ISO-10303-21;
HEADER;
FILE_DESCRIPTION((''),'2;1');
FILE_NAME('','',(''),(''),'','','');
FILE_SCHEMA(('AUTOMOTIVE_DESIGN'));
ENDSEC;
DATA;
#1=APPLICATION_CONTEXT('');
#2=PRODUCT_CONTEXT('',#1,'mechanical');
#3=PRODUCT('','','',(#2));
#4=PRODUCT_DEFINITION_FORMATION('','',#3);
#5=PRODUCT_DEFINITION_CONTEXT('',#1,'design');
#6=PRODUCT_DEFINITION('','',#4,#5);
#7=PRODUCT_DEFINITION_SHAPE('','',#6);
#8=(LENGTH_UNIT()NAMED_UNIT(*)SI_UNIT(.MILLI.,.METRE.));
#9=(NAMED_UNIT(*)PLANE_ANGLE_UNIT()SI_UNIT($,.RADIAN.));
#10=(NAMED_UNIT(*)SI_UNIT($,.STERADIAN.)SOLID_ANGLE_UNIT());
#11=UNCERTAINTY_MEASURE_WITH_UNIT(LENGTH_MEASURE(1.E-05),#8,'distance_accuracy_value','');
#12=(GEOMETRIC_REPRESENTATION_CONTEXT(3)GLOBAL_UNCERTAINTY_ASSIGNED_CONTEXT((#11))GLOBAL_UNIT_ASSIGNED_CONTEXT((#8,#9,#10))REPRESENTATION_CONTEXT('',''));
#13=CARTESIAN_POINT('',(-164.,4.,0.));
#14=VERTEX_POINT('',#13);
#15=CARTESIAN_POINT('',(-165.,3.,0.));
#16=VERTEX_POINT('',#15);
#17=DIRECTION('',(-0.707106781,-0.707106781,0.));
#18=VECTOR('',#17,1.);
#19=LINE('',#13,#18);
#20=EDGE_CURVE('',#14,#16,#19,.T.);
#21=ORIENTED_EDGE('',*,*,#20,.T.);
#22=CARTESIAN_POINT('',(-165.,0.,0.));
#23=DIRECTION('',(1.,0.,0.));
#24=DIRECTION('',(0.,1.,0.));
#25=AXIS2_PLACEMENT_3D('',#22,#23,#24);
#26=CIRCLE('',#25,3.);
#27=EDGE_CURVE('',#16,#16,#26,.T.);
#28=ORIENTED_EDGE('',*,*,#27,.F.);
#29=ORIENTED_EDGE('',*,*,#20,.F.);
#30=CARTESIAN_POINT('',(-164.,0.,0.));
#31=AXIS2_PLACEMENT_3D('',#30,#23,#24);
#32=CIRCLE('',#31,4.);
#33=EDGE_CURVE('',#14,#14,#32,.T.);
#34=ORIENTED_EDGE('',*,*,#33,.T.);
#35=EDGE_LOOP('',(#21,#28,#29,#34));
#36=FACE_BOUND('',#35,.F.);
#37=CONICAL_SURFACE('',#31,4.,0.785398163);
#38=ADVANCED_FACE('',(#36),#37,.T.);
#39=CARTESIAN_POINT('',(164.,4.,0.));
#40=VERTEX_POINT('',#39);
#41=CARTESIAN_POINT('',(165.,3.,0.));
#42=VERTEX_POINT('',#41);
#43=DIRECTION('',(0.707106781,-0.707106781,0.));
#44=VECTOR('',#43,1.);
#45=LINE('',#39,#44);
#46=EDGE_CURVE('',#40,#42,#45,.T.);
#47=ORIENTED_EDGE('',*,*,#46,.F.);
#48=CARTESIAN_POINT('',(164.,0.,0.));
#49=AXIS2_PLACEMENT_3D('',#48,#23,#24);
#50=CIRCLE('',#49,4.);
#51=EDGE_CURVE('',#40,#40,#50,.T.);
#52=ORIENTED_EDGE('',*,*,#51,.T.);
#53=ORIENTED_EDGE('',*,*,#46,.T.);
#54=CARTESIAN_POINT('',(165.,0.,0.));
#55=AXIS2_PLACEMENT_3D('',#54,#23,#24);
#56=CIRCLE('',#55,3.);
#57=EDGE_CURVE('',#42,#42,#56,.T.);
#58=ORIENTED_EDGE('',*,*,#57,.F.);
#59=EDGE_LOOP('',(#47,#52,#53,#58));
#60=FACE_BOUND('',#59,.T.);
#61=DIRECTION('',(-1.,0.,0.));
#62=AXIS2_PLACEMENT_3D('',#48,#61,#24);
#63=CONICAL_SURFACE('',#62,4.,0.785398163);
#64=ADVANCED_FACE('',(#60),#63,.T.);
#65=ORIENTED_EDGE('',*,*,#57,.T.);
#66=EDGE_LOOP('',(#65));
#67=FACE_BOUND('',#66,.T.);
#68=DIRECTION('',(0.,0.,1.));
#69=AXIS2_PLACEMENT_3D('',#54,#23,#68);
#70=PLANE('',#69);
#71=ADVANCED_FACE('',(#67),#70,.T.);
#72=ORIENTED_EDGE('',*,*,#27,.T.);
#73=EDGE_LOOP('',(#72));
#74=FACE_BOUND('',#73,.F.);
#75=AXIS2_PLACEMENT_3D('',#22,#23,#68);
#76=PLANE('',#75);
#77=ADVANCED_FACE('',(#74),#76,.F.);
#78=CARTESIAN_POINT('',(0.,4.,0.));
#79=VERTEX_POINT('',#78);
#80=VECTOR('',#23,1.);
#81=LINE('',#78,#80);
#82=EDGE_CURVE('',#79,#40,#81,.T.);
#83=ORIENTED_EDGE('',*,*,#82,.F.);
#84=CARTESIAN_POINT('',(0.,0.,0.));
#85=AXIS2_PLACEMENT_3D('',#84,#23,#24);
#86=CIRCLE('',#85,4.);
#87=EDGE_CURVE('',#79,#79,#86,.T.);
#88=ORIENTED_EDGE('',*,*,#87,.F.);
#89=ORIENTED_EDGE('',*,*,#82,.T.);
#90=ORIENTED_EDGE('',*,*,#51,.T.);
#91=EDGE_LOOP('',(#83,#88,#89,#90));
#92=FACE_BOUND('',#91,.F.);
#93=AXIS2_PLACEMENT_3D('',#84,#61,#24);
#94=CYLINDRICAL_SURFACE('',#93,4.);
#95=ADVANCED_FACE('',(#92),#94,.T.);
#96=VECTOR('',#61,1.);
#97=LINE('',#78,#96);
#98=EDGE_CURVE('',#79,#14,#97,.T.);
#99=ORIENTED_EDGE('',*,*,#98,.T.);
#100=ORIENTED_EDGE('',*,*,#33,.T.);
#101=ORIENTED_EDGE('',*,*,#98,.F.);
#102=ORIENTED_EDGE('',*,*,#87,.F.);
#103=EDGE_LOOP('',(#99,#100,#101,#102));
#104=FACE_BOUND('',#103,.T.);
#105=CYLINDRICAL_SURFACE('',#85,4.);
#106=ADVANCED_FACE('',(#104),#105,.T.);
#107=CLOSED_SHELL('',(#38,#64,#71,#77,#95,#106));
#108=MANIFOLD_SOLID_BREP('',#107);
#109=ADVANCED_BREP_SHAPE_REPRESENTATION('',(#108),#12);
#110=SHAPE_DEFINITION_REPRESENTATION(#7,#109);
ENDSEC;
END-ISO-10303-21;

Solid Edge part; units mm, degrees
sketch "Sketch1" plane through (0, 0, 0) normal (1, 0, 0) x (0, 1, 0)
  circle A0 centre (0, 0) radius 4
extrude "Protrusion1" add sketch "Sketch1" along normal mid plane 330
chamfer "Chamfer_2" distance 1 angle 45 2 edges at (165, -4, 0) (-165, -4, 0)
extrude "Cutout1" [suppressed]
mirror "Mirror1" [suppressed]
